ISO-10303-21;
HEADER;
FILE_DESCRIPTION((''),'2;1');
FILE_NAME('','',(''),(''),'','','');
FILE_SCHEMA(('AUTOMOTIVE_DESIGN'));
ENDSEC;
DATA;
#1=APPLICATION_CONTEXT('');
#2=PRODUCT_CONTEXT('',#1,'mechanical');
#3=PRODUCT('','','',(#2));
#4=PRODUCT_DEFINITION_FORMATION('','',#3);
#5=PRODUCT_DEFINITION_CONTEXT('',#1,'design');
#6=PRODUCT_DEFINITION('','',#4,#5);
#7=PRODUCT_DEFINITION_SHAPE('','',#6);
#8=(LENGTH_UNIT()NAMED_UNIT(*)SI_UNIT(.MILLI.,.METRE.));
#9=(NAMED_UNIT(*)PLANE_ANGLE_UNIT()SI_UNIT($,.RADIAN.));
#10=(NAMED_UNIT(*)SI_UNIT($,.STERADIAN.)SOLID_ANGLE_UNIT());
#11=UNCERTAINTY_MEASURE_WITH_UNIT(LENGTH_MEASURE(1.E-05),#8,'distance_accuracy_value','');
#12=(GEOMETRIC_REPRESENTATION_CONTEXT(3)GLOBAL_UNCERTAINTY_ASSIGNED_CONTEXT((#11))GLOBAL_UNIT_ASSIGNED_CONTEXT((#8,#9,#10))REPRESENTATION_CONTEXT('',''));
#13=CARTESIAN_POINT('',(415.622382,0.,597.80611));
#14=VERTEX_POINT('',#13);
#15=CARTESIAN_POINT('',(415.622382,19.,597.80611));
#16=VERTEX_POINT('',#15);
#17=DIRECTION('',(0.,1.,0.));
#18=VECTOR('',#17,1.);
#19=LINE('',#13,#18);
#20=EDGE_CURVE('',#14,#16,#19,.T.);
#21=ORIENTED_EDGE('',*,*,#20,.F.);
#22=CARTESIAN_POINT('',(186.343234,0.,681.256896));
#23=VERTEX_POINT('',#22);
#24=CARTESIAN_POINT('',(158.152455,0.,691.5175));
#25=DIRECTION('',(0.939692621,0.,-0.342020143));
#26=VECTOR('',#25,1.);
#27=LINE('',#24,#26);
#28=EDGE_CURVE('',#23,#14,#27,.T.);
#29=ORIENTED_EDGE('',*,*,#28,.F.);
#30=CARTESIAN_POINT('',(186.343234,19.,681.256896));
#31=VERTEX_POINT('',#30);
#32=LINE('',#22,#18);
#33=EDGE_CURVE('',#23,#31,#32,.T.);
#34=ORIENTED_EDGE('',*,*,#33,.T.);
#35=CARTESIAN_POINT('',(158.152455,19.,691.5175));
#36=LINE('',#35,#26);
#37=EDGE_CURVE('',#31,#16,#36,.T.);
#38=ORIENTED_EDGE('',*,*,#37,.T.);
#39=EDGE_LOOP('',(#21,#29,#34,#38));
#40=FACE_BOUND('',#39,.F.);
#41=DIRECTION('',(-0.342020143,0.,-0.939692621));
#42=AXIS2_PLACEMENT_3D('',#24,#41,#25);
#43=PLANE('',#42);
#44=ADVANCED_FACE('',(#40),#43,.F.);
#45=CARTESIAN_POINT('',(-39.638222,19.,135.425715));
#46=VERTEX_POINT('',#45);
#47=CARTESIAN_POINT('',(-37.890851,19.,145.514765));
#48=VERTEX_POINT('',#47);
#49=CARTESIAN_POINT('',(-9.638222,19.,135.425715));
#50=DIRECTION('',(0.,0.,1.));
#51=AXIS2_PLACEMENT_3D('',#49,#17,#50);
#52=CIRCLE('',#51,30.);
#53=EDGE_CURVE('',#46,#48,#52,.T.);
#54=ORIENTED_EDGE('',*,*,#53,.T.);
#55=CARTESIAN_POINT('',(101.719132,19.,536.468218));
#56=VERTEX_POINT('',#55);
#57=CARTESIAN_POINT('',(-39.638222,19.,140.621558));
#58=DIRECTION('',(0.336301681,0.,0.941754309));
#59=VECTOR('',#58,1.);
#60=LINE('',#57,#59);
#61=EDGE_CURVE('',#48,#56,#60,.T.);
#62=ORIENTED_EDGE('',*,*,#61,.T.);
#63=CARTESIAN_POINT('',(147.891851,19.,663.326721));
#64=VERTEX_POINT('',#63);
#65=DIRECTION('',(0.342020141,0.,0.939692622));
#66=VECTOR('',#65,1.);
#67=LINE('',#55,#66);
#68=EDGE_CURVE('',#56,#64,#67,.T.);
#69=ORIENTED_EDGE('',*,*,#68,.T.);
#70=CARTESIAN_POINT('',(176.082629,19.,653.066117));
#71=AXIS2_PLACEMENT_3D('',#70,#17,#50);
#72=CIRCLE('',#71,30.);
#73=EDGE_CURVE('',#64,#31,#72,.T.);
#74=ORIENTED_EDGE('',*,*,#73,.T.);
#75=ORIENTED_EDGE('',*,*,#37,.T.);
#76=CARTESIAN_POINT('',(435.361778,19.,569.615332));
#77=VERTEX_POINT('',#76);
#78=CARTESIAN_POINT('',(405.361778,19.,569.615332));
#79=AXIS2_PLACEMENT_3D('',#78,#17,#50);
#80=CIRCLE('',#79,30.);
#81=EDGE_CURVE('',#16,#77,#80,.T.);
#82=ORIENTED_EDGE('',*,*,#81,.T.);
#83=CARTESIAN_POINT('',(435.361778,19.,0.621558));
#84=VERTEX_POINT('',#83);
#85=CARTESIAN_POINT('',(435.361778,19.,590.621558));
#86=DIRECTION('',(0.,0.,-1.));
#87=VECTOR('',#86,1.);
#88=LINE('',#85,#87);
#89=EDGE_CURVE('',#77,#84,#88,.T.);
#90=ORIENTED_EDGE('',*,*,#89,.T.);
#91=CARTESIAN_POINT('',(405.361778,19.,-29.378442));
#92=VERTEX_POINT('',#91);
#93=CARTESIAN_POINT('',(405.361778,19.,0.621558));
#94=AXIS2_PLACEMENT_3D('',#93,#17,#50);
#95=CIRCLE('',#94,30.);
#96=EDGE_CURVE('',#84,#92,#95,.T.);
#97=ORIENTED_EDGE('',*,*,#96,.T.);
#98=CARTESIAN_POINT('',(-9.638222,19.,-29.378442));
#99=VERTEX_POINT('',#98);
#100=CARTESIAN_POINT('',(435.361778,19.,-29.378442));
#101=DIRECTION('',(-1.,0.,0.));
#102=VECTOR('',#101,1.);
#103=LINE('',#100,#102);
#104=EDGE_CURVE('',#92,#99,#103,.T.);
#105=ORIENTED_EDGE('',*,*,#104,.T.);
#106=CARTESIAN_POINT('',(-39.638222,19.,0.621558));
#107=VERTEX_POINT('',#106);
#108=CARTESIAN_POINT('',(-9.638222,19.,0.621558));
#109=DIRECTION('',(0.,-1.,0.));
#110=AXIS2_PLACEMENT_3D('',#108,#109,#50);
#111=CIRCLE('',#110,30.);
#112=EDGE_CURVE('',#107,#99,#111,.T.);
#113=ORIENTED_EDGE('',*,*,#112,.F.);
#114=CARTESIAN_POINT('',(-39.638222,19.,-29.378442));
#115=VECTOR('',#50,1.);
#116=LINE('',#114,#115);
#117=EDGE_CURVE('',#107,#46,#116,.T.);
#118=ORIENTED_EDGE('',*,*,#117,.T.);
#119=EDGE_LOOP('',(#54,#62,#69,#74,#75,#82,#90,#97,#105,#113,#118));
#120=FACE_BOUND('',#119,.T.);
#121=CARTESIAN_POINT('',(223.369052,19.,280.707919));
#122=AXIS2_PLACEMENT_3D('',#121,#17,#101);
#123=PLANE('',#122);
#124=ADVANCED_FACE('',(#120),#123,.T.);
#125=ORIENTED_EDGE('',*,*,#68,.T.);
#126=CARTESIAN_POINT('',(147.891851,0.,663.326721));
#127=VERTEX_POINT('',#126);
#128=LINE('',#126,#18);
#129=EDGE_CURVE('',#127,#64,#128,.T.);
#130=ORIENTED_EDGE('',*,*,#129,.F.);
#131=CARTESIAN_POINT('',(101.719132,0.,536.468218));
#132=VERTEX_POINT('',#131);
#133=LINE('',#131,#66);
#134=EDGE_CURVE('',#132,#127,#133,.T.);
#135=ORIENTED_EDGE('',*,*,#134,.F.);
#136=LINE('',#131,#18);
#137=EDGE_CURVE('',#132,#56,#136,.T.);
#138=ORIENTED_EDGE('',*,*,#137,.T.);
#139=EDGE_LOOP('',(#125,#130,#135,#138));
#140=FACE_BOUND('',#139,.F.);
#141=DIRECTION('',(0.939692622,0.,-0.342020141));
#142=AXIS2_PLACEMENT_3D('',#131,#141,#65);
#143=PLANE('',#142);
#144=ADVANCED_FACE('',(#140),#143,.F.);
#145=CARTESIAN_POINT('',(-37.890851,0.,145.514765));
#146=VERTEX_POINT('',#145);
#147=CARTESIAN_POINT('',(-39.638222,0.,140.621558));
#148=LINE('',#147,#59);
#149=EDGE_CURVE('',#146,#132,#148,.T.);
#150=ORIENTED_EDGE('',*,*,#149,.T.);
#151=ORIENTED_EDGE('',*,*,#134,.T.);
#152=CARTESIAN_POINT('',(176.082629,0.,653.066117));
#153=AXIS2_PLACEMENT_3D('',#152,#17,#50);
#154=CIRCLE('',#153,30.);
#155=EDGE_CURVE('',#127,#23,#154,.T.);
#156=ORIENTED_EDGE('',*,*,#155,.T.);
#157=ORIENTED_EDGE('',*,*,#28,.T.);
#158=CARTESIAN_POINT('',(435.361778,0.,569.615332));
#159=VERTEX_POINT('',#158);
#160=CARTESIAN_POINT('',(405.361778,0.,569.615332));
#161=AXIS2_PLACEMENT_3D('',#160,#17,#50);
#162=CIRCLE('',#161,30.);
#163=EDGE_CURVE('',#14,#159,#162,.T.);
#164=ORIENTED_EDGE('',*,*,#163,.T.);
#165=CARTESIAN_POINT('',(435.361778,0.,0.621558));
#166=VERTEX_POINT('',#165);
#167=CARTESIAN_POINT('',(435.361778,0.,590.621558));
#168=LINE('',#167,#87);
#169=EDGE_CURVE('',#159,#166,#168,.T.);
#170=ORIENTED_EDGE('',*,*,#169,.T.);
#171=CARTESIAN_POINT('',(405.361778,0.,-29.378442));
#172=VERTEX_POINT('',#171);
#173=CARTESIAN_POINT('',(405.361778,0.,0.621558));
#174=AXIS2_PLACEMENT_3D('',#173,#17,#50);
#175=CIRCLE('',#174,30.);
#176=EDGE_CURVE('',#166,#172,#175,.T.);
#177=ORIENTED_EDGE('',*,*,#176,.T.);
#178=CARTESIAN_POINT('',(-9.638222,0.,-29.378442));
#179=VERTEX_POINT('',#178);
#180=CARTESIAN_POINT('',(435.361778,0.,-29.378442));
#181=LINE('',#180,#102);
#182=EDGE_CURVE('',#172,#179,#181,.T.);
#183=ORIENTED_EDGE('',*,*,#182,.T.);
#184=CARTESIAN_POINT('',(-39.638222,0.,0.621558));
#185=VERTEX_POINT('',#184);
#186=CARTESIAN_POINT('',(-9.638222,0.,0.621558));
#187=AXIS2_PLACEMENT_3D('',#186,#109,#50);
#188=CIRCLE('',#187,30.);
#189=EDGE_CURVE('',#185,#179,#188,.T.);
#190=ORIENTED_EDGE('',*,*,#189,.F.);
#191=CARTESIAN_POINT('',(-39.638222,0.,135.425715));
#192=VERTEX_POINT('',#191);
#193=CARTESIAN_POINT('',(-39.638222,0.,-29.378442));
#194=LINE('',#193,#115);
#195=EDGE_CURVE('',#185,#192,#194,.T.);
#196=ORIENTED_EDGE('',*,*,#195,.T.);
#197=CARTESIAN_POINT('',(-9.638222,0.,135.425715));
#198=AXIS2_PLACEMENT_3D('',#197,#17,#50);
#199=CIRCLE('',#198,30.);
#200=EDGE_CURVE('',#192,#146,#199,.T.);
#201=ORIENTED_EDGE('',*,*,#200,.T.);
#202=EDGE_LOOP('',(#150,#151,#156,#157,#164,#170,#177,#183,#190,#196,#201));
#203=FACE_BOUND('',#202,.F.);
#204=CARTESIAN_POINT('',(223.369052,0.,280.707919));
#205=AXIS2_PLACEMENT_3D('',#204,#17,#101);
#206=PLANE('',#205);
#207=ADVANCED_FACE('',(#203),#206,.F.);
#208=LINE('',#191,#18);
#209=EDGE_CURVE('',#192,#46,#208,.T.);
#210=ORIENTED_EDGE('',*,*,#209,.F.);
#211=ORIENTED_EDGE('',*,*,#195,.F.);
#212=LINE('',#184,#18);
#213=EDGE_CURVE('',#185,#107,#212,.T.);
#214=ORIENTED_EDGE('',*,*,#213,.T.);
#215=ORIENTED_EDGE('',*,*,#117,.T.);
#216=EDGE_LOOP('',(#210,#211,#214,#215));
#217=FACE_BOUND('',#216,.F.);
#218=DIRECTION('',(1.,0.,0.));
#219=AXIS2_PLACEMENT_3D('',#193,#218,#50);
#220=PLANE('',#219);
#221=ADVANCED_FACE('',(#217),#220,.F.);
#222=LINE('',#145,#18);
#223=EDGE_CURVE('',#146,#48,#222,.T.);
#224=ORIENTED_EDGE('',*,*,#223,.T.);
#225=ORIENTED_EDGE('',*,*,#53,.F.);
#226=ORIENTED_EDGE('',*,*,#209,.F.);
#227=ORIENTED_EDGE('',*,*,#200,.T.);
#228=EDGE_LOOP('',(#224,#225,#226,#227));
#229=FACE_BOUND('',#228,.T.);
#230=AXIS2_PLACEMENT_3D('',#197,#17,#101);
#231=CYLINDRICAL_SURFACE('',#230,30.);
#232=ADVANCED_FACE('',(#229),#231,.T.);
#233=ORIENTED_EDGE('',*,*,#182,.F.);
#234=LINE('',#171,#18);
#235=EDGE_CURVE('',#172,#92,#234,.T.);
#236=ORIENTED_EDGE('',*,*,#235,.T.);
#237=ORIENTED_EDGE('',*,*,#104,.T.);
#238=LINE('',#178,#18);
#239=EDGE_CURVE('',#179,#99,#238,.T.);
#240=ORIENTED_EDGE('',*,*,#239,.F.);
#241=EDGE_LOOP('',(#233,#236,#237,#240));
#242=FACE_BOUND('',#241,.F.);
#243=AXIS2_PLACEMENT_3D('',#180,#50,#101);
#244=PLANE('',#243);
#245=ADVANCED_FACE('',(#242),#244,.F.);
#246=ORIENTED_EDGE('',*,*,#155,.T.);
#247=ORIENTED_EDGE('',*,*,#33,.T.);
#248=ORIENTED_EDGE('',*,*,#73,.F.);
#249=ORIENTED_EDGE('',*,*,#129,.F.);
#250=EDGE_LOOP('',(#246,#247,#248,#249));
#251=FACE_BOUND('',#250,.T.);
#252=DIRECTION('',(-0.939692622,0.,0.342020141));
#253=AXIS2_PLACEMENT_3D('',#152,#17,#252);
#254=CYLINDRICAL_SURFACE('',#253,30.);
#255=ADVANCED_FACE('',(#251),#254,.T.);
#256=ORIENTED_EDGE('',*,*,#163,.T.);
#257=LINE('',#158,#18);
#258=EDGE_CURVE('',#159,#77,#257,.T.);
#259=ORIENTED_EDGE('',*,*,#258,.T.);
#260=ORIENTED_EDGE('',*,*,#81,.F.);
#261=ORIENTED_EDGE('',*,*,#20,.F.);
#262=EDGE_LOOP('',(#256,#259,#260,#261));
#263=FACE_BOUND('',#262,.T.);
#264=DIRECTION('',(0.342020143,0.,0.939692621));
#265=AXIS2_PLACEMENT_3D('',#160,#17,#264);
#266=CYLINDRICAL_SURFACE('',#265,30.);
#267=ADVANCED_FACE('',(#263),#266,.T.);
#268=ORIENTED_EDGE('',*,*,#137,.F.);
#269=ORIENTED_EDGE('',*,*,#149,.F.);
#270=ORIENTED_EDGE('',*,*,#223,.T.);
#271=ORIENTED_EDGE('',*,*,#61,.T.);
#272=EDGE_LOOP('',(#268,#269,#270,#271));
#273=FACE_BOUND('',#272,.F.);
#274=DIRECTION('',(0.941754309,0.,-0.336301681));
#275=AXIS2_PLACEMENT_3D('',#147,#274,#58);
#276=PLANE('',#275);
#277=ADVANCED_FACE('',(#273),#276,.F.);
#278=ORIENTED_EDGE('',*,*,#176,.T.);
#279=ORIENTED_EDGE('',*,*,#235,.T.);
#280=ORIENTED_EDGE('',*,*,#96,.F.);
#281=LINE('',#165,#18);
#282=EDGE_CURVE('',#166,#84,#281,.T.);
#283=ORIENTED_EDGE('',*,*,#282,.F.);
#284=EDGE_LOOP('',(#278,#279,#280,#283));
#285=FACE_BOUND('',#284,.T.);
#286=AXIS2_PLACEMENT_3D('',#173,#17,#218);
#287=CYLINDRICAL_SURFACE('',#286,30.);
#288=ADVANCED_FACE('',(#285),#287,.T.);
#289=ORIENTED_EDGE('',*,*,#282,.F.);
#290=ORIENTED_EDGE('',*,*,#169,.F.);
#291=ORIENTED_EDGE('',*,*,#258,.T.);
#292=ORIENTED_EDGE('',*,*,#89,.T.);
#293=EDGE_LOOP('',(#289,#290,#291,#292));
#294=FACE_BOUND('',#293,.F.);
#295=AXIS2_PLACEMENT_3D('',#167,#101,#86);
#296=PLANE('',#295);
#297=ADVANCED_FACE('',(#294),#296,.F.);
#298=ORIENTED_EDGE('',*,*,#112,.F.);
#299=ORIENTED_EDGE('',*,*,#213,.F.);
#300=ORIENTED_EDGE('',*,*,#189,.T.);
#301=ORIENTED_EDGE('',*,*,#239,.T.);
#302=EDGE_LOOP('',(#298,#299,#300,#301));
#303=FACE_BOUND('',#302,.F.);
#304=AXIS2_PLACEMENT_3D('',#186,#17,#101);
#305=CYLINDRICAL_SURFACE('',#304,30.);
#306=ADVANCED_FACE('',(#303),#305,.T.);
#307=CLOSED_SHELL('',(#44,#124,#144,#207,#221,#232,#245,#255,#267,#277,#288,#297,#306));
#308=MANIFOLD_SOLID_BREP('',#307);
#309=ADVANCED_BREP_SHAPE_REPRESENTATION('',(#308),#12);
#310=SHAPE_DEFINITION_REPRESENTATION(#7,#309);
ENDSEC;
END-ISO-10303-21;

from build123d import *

# Parameters (mm, degrees)
PAD_DEPTH = 19
FILLET_R  = 30


with BuildPart() as part:
    # Sketch001 → Pad (new body)
    with BuildSketch(Plane.XZ):
        Polygon((-39.638222, -29.378442), (-39.638222, 140.621558), (101.719132, 536.468218), (158.152455, 691.5175), (435.361778, 590.621558), (435.361778, -29.378442), align=None)
    extrude(amount=-PAD_DEPTH)

    # Fillet
    fillet_edges = [part.edges().sort_by_distance(p)[0] for p in [
        (-39.638222, 9.5, 140.621558),
        (-39.638222, 9.5, -29.378442),
        (158.152455, 9.5, 691.5175),
        (435.361778, 9.5, 590.621558),
        (435.361778, 9.5, -29.378442),
    ]]
    fillet(fillet_edges, radius=FILLET_R)


solid = part.part
